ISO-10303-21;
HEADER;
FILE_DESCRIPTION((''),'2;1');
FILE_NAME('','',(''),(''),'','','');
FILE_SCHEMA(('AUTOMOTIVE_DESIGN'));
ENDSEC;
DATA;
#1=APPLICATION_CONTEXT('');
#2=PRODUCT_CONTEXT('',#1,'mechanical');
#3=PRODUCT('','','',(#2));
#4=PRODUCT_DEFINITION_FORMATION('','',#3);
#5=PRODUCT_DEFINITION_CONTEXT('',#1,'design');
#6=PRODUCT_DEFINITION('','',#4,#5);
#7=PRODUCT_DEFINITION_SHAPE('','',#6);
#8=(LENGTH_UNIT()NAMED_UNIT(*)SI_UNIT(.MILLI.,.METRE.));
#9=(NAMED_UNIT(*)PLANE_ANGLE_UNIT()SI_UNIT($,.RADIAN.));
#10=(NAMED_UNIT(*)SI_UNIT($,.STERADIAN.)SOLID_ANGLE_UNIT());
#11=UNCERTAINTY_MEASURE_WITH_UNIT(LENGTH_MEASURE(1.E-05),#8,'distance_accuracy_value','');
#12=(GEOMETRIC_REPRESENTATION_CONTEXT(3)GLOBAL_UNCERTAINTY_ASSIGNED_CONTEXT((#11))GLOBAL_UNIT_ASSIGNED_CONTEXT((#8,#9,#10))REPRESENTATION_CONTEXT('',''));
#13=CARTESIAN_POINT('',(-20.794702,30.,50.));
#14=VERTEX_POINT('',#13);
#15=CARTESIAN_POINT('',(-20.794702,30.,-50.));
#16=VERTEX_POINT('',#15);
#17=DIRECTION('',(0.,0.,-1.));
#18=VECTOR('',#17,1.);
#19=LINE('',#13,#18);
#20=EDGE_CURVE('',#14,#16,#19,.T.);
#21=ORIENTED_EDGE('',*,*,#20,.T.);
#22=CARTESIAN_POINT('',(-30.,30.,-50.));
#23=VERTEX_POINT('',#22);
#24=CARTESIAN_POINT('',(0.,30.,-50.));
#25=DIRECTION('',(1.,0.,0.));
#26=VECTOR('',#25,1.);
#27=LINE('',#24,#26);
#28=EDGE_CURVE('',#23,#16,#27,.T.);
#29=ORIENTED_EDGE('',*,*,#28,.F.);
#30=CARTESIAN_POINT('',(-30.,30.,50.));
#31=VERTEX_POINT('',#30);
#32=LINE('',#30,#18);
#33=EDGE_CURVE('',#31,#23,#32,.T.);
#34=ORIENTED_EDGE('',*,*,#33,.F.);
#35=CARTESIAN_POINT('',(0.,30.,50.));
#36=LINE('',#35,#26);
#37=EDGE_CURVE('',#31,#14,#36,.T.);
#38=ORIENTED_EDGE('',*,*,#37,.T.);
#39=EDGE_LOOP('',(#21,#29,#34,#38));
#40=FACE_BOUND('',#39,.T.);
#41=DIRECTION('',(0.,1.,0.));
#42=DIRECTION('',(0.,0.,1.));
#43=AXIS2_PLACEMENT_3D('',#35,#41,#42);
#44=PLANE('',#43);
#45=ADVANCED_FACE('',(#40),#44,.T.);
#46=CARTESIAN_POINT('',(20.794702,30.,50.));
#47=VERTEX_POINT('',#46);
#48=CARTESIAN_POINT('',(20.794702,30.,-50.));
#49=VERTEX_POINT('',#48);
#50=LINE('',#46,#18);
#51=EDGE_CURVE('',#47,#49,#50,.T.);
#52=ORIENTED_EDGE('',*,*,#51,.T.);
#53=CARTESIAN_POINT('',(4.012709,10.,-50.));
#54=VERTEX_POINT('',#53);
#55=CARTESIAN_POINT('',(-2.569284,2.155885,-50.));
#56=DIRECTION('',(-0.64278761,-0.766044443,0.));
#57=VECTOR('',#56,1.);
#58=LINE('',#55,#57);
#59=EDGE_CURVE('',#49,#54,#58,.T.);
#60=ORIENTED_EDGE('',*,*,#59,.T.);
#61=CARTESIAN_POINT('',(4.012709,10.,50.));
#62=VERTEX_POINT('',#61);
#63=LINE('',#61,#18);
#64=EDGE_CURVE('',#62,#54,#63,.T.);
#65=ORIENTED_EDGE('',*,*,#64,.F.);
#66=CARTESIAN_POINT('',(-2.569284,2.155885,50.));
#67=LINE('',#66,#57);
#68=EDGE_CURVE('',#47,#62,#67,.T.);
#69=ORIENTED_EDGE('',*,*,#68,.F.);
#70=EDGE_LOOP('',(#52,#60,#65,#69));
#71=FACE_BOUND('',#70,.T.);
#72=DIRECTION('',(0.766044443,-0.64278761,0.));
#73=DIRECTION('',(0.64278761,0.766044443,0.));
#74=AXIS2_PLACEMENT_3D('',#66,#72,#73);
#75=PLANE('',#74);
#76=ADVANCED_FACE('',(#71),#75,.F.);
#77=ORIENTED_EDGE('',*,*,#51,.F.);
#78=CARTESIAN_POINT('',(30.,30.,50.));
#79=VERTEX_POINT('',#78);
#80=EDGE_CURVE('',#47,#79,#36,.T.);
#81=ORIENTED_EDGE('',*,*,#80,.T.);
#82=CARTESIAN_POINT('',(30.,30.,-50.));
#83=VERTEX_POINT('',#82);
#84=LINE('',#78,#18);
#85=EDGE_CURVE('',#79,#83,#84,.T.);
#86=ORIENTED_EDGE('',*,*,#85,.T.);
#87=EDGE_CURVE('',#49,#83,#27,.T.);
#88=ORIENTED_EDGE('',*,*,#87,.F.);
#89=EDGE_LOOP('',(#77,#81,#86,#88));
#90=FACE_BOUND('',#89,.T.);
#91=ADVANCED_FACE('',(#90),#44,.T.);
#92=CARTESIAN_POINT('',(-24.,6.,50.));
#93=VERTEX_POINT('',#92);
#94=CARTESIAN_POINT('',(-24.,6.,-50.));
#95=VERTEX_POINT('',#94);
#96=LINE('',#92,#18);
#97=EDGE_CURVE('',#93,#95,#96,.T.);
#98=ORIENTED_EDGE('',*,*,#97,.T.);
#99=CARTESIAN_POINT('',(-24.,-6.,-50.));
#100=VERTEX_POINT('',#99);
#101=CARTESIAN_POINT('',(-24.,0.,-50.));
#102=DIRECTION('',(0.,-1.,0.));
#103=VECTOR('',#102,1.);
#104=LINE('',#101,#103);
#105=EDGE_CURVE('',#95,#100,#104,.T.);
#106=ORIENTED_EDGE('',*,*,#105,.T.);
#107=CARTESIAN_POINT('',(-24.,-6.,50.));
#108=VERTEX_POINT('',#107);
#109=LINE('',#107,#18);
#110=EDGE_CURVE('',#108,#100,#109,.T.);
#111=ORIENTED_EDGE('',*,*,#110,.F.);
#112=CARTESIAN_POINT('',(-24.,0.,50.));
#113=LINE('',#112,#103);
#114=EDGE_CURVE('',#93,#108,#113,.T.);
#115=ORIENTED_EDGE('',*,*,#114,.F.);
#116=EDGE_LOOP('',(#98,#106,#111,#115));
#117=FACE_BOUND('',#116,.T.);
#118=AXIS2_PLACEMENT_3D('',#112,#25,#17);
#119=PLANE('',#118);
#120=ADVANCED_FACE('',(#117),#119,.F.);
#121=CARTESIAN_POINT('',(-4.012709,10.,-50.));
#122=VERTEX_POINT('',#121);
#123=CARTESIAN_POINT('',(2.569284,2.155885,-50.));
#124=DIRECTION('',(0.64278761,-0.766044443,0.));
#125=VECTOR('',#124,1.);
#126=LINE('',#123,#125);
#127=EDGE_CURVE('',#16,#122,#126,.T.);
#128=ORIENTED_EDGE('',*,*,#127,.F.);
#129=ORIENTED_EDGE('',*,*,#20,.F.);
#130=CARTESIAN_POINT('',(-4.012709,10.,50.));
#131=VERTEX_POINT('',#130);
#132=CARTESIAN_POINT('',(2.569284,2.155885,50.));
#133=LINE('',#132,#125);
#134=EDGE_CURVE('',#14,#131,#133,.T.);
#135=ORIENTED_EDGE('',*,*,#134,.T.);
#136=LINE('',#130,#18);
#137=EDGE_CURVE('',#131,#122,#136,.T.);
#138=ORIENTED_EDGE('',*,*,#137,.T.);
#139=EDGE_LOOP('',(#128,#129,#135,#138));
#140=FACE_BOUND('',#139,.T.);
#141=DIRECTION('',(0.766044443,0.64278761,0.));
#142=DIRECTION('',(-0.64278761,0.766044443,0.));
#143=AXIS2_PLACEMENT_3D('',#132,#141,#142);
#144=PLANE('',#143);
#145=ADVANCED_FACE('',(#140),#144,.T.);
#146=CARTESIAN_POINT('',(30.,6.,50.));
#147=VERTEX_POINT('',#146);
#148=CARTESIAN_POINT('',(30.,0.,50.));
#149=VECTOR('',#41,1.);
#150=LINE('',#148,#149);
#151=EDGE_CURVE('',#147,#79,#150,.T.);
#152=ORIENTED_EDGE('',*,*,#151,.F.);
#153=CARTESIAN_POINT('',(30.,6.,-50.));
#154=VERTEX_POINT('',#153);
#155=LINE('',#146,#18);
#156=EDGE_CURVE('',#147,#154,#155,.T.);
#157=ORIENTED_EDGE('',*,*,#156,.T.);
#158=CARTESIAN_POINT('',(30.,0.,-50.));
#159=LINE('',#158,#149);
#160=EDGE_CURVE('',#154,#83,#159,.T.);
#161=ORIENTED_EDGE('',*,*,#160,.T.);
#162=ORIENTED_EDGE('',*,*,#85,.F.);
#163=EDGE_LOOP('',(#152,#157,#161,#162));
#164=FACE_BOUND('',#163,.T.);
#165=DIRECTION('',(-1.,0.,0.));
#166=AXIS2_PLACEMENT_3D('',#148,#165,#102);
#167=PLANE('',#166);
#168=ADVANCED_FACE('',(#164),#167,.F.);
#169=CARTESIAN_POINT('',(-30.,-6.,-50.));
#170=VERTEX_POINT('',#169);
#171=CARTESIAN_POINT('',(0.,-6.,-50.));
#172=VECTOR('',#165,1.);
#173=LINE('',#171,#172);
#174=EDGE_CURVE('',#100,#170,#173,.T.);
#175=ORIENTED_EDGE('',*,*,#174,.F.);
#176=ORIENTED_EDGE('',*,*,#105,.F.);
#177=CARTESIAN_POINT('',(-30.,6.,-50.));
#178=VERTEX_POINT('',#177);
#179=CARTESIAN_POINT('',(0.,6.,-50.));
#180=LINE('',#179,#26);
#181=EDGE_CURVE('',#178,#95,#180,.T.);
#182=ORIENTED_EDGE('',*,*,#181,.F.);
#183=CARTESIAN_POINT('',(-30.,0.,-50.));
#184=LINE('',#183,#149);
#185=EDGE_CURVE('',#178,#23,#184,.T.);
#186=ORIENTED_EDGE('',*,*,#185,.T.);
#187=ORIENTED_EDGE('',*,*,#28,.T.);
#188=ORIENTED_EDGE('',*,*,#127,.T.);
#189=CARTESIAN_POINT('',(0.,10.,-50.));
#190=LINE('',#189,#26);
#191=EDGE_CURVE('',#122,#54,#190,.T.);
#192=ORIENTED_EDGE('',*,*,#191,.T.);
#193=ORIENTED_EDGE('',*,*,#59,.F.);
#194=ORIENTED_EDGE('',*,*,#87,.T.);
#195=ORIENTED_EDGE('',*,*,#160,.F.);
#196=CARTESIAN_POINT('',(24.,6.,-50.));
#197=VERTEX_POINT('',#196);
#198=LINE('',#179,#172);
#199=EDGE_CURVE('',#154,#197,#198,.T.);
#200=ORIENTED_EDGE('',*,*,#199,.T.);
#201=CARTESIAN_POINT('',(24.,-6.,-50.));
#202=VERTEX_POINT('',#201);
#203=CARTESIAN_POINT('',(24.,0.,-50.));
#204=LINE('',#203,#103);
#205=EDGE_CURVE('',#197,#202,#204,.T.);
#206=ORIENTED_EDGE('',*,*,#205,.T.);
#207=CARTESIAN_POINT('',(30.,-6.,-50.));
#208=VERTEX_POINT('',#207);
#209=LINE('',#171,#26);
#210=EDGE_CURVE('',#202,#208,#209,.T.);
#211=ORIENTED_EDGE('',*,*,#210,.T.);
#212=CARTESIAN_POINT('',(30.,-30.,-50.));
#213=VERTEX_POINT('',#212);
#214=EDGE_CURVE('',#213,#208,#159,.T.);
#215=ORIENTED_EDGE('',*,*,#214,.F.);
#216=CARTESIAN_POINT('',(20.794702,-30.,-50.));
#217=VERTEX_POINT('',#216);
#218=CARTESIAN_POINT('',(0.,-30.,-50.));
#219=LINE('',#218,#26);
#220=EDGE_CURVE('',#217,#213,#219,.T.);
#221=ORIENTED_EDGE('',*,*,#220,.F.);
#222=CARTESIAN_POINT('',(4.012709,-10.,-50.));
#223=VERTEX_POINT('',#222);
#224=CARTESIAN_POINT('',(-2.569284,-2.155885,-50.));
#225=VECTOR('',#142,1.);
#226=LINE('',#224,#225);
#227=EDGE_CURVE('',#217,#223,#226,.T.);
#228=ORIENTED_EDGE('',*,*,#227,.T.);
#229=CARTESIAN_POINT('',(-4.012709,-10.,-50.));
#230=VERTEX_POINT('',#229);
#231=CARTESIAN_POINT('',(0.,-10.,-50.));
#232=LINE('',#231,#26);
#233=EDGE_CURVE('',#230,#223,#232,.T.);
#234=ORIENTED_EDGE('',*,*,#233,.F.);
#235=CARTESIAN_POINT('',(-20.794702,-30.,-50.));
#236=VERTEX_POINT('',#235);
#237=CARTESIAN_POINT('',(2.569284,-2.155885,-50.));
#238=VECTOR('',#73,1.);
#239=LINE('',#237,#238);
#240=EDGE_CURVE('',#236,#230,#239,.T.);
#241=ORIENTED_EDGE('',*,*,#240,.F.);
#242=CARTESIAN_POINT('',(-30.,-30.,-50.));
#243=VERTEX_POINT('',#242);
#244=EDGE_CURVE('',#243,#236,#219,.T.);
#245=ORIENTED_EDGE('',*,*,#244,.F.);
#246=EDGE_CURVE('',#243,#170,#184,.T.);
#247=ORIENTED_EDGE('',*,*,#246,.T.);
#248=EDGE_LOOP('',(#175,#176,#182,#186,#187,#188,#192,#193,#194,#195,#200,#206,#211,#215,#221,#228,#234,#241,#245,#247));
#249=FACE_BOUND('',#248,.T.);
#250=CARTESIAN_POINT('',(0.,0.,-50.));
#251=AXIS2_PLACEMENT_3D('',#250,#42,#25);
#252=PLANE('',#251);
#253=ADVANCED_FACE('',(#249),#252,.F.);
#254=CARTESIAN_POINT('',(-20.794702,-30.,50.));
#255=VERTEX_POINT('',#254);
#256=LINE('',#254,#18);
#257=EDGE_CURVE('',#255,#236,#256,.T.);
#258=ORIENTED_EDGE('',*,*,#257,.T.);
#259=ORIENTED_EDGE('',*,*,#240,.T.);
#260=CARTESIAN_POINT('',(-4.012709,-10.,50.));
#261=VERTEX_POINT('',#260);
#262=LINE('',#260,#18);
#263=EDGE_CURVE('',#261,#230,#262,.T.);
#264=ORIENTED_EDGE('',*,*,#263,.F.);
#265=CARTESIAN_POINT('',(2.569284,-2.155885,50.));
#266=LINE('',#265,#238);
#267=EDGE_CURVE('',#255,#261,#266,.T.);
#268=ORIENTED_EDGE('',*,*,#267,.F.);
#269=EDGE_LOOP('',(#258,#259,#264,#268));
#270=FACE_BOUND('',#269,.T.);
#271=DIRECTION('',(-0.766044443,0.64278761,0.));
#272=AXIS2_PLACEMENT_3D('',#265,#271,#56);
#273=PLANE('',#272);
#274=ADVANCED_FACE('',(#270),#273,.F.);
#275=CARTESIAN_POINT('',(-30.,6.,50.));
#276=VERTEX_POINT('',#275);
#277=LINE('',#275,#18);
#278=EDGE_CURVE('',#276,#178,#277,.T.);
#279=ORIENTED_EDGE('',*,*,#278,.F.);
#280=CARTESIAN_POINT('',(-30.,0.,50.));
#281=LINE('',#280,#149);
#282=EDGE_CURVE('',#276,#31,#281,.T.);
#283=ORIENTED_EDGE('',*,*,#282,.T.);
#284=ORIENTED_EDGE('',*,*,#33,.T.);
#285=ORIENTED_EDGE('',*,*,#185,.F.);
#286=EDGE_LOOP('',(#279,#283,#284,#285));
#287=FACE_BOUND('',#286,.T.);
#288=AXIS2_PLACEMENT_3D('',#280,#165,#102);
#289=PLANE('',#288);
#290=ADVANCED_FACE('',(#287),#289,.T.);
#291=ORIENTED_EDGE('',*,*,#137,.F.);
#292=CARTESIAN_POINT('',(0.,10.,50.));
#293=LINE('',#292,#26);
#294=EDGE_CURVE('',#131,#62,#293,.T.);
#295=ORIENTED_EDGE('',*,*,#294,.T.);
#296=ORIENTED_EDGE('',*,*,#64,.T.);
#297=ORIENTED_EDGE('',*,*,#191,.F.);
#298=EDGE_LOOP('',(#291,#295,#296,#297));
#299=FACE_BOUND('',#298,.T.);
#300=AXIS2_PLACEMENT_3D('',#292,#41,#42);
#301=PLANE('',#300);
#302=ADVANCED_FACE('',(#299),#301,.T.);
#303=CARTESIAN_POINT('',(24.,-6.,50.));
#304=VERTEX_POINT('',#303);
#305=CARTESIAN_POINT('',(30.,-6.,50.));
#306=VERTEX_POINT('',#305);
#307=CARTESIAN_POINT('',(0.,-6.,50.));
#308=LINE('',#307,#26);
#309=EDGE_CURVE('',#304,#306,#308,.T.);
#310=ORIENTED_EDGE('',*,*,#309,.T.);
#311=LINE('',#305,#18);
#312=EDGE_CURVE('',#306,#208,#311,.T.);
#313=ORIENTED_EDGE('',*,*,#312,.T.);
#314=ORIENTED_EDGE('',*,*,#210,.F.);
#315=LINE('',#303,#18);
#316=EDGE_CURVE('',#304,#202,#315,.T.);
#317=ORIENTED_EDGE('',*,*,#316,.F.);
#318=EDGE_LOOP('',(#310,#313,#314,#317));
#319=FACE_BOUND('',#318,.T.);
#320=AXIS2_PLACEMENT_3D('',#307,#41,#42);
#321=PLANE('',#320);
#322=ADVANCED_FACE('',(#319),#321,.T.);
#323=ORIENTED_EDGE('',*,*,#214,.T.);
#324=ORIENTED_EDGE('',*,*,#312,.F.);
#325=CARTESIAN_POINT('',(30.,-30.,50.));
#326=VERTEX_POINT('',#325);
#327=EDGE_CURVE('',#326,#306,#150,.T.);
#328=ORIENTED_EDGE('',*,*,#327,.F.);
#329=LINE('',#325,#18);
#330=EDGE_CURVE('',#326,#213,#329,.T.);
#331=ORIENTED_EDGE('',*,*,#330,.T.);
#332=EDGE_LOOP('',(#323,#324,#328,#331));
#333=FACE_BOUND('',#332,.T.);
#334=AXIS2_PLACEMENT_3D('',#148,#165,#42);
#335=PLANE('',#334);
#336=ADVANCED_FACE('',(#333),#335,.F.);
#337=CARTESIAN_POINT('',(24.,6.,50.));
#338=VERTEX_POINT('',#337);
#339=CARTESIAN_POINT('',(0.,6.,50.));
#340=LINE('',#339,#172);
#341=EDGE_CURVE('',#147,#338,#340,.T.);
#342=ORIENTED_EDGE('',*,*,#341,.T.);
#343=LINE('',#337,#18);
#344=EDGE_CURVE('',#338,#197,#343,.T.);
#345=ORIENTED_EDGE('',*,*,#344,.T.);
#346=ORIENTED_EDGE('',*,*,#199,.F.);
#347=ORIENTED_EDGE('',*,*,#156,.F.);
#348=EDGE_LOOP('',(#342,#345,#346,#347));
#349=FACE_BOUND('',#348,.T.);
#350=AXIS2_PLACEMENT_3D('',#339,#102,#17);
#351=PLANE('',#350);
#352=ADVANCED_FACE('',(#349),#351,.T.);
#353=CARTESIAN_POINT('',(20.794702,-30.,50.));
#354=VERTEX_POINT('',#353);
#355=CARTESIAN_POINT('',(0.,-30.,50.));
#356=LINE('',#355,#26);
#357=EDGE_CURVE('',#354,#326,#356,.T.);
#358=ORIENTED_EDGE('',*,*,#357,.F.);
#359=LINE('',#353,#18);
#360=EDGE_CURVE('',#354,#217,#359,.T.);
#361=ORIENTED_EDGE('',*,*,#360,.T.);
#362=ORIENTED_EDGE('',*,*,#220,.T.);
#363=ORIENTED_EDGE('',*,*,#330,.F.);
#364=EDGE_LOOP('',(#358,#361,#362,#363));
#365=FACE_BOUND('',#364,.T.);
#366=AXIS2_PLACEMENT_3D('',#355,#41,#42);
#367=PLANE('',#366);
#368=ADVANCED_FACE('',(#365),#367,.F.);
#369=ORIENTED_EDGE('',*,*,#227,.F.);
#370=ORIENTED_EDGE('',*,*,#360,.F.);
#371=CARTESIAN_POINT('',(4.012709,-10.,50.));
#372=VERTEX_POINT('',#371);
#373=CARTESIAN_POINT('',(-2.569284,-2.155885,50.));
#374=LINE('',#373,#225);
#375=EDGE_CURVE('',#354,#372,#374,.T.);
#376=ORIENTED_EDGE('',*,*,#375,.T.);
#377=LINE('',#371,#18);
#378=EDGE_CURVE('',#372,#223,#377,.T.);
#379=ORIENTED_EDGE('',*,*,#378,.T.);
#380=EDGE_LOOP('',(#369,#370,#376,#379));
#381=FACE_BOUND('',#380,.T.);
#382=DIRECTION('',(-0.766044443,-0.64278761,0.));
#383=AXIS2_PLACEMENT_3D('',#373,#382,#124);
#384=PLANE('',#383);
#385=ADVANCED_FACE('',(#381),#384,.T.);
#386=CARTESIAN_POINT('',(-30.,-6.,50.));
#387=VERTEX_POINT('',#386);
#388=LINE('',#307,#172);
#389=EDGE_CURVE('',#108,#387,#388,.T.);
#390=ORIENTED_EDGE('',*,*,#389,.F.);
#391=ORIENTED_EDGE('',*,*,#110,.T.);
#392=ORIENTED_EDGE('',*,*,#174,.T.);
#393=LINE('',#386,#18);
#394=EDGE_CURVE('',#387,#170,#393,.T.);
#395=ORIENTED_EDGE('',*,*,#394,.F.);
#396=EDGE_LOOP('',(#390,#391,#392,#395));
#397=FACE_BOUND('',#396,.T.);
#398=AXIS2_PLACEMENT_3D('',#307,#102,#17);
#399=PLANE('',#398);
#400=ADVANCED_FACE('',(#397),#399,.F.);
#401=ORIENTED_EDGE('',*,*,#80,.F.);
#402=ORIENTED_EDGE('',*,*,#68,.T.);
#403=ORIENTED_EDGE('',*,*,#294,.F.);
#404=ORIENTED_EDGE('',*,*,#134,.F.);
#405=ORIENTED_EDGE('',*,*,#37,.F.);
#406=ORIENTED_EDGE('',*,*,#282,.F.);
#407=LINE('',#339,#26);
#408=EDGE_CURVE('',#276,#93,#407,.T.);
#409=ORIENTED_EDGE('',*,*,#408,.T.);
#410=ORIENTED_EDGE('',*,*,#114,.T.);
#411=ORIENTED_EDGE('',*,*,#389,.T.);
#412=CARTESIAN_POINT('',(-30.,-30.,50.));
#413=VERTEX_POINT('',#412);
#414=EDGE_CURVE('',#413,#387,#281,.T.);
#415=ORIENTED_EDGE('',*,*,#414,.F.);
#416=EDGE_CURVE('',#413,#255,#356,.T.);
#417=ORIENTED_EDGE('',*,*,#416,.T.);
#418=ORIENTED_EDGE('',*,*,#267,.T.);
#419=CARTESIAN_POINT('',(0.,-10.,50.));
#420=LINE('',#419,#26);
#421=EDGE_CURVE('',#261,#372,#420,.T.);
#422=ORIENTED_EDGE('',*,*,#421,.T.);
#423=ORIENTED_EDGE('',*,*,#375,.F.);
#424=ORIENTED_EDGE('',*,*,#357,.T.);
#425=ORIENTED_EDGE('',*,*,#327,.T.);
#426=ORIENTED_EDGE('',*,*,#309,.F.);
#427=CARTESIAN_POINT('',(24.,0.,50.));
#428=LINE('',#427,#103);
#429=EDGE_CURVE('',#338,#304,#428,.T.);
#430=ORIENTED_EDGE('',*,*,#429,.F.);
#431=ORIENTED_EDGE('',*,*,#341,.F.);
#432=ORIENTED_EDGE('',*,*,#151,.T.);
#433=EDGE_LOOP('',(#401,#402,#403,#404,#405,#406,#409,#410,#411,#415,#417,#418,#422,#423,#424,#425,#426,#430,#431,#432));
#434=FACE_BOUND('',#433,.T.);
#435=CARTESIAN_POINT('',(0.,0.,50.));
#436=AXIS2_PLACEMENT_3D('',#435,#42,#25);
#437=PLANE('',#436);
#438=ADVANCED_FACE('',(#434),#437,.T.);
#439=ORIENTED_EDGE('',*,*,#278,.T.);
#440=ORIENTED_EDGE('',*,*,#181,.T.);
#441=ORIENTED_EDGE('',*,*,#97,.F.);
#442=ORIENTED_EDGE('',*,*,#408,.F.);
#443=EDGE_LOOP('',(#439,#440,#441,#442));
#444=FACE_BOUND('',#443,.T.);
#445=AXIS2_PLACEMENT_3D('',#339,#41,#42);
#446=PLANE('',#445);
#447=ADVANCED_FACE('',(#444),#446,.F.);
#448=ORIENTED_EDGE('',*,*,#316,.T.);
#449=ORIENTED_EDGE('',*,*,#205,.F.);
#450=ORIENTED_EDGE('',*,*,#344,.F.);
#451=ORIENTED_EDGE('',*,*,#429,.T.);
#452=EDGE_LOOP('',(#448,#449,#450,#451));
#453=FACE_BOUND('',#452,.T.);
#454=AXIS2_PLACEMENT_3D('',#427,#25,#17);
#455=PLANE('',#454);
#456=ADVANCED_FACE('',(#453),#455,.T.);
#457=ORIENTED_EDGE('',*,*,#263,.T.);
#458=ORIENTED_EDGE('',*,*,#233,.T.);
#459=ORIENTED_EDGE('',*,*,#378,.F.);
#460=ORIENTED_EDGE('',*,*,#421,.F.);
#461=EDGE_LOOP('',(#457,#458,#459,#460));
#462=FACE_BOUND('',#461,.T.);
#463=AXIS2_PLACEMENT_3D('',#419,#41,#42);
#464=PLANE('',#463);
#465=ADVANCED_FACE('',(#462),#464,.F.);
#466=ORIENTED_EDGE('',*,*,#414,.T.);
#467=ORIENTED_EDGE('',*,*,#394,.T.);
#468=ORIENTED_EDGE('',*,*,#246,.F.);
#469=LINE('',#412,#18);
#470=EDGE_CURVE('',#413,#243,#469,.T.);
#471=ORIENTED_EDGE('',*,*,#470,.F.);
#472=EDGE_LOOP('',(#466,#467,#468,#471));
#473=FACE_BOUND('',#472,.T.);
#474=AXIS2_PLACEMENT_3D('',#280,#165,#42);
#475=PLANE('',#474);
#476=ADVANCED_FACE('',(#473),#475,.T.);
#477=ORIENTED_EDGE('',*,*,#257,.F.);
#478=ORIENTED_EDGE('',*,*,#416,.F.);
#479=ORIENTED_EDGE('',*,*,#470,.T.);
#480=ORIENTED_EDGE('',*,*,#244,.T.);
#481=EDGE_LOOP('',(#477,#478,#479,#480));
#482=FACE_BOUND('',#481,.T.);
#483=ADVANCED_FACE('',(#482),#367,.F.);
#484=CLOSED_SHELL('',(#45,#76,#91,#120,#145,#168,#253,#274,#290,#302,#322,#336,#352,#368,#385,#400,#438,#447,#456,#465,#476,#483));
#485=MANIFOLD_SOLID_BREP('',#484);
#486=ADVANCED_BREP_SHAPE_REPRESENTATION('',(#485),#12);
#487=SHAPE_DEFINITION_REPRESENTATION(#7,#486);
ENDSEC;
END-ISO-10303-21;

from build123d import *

# Parameters (mm, degrees)
BOSS_EXTRUDE1_DEPTH = 50


with BuildPart() as part:
    # Sketch2 → Boss-Extrude1 (new, symmetric)
    with BuildSketch(Plane.XY):
        Polygon((-30, 30), (-30, 6), (-24, 6), (-24, -6), (-30, -6), (-30, -30), (-20.794701987, -30), (-4.012709363, -10), (4.012709363, -10), (20.794701987, -30), (30, -30), (30, -6), (24, -6), (24, 6), (30, 6), (30, 30), (20.794701987, 30), (4.012709363, 10), (-4.012709363, 10), (-20.794701987, 30), align=None)
    extrude(amount=BOSS_EXTRUDE1_DEPTH, both=True)


solid = part.part
